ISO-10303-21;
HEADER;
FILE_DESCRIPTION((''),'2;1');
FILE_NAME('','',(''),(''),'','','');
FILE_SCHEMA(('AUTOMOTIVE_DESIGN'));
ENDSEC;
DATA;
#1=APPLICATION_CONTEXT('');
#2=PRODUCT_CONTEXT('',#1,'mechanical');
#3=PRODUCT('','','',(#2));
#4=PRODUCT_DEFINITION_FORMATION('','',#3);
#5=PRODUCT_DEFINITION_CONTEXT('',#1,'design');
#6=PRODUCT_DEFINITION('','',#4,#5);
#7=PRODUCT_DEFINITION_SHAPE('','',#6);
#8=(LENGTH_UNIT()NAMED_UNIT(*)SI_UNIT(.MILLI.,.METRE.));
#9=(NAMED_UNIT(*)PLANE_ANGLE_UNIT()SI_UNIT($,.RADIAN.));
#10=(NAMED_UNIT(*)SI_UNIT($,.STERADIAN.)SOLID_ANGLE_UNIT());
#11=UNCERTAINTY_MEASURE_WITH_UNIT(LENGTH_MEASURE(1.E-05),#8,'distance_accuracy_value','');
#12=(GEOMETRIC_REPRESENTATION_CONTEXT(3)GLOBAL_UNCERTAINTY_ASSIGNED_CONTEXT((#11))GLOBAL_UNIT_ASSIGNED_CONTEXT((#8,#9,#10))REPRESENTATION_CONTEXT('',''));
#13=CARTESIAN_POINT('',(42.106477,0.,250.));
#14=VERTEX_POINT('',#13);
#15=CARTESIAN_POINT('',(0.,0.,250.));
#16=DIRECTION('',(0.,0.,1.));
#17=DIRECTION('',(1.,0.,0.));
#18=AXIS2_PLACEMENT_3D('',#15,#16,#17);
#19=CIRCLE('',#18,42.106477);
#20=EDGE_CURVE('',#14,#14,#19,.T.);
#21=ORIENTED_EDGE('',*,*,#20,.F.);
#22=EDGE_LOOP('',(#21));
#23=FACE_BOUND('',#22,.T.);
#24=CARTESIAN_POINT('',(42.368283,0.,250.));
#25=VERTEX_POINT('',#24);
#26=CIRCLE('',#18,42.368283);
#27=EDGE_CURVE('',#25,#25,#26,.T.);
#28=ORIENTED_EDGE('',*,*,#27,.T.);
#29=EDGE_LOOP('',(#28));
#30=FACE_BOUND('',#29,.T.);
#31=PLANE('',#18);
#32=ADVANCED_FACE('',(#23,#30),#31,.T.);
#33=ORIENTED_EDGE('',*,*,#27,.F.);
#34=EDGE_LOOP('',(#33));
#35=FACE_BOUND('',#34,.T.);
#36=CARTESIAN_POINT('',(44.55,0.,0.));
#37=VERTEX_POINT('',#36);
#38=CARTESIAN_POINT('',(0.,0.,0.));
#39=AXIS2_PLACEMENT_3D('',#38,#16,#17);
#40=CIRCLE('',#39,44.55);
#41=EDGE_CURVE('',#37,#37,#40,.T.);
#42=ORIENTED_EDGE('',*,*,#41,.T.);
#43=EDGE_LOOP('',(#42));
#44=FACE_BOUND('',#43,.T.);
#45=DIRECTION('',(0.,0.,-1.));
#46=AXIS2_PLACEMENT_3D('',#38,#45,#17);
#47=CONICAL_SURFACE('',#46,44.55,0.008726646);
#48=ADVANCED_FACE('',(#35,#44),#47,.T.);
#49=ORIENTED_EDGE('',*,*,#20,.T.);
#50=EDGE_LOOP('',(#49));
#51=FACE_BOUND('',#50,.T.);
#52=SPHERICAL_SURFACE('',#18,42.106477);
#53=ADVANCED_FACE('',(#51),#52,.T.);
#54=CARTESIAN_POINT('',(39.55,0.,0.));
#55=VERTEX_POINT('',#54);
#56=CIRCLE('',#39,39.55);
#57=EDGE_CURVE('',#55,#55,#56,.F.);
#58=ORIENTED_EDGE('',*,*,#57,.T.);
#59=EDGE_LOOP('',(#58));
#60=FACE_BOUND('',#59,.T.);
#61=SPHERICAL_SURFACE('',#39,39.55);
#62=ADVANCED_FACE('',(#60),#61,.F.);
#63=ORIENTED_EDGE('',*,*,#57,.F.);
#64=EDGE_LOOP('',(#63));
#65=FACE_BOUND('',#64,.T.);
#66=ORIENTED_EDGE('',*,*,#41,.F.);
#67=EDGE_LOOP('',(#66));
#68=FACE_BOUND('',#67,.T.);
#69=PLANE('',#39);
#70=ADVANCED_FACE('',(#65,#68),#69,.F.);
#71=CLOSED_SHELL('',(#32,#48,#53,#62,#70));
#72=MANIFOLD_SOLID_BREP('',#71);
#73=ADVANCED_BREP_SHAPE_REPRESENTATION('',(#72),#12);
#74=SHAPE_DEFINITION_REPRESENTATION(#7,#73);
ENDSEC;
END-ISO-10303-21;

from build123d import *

# Parameters (mm, degrees)
SKETCH1_R           = 44.55
BOSS_EXTRUDE1_DEPTH = 250
BOSS_EXTRUDE1_TAPER = 0.5


with BuildPart() as part:
    # Sketch1 → Boss-Extrude1 (new body)
    with BuildSketch(Plane.XY):
        Circle(SKETCH1_R)
    extrude(amount=BOSS_EXTRUDE1_DEPTH, taper=BOSS_EXTRUDE1_TAPER)

    # Sketch2 → Cut-Revolve1 (revolve, cut)
    with BuildSketch(Plane(origin=(0, 0, 0), x_dir=(-1, 0, 0), z_dir=(0, 0, -1))):
        with BuildLine():
            Line((0, 39.55), (0, -39.55))
            ThreePointArc((0, -39.55), (39.55, 0), (0, 39.55))
        make_face()
    revolve(axis=Axis((0, 39.55, 0), (0, -1, 0)), mode=Mode.SUBTRACT)

    # Sketch3 → Revolve1 (revolve)
    with BuildSketch(Plane.XY.offset(250)):
        with BuildLine():
            Line((0, 42.106477019), (0, -42.106477019))
            ThreePointArc((0, -42.106477019), (-42.106477019, 0), (0, 42.106477019))
        make_face()
    revolve(axis=Axis((0, 42.106477019, 250), (0, -1, 0)))


solid = part.part
